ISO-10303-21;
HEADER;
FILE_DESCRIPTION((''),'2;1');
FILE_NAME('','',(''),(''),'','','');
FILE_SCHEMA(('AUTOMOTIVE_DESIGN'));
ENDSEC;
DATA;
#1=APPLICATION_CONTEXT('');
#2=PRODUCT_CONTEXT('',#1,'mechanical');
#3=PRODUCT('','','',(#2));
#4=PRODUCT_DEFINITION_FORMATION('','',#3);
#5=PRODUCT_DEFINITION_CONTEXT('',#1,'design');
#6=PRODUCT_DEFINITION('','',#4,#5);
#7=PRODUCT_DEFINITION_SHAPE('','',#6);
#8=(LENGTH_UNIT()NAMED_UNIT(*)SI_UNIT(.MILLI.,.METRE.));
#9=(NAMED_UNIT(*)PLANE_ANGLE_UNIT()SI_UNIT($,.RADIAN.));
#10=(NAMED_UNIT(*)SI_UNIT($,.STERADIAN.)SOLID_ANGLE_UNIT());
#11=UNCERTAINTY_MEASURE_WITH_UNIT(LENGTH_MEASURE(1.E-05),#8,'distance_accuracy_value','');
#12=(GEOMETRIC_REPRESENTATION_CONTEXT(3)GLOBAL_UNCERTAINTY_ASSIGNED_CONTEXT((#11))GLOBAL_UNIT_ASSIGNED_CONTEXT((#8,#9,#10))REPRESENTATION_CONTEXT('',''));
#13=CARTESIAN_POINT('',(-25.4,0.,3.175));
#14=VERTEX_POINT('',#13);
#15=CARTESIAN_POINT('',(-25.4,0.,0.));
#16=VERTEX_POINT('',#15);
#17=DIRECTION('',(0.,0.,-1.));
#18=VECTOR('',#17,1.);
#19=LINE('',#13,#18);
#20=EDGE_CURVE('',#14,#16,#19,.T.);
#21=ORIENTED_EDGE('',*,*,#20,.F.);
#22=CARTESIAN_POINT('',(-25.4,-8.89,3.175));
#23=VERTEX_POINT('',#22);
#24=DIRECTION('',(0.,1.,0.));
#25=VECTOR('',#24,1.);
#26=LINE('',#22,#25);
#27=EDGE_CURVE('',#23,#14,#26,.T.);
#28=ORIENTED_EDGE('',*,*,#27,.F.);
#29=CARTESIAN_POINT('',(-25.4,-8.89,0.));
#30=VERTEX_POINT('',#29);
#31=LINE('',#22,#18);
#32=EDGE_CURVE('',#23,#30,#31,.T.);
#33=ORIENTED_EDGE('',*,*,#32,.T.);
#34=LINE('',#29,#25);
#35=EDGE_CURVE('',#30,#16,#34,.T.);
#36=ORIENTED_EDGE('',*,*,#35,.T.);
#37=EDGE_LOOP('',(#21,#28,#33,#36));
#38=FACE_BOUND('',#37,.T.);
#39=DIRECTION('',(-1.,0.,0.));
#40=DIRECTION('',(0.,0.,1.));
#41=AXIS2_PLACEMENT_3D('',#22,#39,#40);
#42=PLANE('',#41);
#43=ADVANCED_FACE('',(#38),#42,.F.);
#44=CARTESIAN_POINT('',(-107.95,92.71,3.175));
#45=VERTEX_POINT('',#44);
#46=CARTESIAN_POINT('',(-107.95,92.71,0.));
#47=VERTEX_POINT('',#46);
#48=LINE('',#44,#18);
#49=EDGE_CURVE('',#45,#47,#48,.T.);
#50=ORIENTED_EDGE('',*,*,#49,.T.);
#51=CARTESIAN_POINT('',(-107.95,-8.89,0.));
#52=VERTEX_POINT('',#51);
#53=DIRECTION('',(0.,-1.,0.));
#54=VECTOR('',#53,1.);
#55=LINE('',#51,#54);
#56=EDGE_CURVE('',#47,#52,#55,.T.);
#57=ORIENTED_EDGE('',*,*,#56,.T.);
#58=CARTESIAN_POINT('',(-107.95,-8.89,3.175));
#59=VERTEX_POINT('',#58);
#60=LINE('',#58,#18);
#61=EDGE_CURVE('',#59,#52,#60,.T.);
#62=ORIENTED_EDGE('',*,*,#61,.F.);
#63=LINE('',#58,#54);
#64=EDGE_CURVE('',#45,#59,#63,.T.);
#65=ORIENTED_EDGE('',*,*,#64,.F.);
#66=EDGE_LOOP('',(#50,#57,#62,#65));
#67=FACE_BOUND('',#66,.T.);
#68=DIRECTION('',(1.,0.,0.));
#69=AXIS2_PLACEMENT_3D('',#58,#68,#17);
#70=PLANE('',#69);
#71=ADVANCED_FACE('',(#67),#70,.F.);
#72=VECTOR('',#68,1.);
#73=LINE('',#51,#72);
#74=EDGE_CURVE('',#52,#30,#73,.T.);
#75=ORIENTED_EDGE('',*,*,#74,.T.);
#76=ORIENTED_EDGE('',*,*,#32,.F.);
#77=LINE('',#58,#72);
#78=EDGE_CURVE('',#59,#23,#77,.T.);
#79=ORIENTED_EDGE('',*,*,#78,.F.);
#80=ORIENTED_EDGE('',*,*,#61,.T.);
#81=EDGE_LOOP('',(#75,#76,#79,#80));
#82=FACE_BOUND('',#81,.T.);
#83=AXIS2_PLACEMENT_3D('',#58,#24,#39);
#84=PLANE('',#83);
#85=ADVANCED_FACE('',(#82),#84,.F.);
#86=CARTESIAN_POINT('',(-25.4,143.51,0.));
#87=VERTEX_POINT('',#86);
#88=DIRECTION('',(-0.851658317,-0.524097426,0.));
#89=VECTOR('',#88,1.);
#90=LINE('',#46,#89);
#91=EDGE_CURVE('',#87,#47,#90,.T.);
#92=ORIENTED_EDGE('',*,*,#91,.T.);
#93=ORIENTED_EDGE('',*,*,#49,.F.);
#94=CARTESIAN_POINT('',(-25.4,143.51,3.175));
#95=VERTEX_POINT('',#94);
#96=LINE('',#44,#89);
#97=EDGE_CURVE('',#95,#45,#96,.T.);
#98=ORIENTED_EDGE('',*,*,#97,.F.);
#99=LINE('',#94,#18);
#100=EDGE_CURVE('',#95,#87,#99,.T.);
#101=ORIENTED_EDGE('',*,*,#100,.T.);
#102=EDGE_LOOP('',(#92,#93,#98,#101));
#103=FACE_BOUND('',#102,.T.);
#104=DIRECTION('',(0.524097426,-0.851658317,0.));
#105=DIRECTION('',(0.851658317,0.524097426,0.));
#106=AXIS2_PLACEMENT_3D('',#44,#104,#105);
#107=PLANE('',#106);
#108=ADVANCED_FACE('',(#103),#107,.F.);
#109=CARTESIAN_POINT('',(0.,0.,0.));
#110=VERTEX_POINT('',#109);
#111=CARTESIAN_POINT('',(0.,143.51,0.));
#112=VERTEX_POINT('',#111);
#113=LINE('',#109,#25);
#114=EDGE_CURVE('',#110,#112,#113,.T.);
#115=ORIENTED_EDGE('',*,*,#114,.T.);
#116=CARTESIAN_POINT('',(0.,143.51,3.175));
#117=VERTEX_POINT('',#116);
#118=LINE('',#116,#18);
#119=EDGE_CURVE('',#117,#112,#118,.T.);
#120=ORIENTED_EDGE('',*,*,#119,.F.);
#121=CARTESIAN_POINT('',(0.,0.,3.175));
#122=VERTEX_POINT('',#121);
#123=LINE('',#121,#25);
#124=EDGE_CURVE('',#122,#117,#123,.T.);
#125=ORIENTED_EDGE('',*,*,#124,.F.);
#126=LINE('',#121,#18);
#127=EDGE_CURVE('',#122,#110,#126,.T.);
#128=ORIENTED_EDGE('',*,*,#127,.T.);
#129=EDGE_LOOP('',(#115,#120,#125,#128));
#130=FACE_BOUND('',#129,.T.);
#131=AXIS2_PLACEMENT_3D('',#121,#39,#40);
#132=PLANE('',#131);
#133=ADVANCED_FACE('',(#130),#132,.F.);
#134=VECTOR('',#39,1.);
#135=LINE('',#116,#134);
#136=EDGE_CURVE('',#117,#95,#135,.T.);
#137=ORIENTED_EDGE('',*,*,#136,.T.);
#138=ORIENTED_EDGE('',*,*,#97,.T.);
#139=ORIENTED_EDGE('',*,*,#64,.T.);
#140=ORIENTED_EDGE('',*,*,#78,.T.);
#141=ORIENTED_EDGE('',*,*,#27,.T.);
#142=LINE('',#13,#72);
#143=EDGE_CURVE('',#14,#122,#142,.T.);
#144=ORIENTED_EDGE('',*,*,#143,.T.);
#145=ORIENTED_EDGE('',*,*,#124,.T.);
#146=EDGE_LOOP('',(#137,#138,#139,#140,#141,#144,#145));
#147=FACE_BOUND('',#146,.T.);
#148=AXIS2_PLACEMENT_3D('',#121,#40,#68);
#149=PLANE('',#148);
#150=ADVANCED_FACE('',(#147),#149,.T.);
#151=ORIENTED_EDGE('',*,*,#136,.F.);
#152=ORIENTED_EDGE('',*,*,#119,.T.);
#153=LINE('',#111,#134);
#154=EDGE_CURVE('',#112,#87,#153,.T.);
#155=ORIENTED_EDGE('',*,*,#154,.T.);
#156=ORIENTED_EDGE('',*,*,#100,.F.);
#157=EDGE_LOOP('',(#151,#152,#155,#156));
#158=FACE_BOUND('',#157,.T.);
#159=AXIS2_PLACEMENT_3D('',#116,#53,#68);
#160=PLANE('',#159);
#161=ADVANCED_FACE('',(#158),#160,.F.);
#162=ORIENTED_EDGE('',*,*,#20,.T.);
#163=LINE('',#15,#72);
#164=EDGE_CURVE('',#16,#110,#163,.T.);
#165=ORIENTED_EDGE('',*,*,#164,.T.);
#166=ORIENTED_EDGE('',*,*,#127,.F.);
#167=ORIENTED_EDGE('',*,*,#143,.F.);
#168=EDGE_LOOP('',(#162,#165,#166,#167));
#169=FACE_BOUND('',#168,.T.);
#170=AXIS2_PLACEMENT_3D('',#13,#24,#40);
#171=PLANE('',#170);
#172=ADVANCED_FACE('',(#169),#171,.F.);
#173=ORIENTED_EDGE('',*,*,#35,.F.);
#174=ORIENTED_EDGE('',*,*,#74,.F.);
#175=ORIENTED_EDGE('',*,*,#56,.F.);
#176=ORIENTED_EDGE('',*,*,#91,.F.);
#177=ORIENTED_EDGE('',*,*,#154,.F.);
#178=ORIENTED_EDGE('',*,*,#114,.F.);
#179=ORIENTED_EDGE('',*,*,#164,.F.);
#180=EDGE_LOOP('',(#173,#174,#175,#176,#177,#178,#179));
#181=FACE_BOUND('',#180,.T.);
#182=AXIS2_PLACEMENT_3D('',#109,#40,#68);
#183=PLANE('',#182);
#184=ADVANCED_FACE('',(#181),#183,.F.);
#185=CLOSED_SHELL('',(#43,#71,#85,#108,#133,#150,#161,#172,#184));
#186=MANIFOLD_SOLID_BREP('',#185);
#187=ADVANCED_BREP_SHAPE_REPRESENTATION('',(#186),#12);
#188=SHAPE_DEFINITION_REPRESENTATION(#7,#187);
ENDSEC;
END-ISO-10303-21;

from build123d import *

# Parameters (mm, degrees)
BOSS_EXTRUDE1_DEPTH = 3.175


with BuildPart() as part:
    # Sketch1 → Boss-Extrude1 (new body)
    with BuildSketch(Plane.XY):
        Polygon((0, 0), (0, 143.51), (-25.4, 143.51), (-107.95, 92.71), (-107.95, -8.89), (-25.4, -8.89), (-25.4, 0), align=None)
    extrude(amount=BOSS_EXTRUDE1_DEPTH)


solid = part.part
